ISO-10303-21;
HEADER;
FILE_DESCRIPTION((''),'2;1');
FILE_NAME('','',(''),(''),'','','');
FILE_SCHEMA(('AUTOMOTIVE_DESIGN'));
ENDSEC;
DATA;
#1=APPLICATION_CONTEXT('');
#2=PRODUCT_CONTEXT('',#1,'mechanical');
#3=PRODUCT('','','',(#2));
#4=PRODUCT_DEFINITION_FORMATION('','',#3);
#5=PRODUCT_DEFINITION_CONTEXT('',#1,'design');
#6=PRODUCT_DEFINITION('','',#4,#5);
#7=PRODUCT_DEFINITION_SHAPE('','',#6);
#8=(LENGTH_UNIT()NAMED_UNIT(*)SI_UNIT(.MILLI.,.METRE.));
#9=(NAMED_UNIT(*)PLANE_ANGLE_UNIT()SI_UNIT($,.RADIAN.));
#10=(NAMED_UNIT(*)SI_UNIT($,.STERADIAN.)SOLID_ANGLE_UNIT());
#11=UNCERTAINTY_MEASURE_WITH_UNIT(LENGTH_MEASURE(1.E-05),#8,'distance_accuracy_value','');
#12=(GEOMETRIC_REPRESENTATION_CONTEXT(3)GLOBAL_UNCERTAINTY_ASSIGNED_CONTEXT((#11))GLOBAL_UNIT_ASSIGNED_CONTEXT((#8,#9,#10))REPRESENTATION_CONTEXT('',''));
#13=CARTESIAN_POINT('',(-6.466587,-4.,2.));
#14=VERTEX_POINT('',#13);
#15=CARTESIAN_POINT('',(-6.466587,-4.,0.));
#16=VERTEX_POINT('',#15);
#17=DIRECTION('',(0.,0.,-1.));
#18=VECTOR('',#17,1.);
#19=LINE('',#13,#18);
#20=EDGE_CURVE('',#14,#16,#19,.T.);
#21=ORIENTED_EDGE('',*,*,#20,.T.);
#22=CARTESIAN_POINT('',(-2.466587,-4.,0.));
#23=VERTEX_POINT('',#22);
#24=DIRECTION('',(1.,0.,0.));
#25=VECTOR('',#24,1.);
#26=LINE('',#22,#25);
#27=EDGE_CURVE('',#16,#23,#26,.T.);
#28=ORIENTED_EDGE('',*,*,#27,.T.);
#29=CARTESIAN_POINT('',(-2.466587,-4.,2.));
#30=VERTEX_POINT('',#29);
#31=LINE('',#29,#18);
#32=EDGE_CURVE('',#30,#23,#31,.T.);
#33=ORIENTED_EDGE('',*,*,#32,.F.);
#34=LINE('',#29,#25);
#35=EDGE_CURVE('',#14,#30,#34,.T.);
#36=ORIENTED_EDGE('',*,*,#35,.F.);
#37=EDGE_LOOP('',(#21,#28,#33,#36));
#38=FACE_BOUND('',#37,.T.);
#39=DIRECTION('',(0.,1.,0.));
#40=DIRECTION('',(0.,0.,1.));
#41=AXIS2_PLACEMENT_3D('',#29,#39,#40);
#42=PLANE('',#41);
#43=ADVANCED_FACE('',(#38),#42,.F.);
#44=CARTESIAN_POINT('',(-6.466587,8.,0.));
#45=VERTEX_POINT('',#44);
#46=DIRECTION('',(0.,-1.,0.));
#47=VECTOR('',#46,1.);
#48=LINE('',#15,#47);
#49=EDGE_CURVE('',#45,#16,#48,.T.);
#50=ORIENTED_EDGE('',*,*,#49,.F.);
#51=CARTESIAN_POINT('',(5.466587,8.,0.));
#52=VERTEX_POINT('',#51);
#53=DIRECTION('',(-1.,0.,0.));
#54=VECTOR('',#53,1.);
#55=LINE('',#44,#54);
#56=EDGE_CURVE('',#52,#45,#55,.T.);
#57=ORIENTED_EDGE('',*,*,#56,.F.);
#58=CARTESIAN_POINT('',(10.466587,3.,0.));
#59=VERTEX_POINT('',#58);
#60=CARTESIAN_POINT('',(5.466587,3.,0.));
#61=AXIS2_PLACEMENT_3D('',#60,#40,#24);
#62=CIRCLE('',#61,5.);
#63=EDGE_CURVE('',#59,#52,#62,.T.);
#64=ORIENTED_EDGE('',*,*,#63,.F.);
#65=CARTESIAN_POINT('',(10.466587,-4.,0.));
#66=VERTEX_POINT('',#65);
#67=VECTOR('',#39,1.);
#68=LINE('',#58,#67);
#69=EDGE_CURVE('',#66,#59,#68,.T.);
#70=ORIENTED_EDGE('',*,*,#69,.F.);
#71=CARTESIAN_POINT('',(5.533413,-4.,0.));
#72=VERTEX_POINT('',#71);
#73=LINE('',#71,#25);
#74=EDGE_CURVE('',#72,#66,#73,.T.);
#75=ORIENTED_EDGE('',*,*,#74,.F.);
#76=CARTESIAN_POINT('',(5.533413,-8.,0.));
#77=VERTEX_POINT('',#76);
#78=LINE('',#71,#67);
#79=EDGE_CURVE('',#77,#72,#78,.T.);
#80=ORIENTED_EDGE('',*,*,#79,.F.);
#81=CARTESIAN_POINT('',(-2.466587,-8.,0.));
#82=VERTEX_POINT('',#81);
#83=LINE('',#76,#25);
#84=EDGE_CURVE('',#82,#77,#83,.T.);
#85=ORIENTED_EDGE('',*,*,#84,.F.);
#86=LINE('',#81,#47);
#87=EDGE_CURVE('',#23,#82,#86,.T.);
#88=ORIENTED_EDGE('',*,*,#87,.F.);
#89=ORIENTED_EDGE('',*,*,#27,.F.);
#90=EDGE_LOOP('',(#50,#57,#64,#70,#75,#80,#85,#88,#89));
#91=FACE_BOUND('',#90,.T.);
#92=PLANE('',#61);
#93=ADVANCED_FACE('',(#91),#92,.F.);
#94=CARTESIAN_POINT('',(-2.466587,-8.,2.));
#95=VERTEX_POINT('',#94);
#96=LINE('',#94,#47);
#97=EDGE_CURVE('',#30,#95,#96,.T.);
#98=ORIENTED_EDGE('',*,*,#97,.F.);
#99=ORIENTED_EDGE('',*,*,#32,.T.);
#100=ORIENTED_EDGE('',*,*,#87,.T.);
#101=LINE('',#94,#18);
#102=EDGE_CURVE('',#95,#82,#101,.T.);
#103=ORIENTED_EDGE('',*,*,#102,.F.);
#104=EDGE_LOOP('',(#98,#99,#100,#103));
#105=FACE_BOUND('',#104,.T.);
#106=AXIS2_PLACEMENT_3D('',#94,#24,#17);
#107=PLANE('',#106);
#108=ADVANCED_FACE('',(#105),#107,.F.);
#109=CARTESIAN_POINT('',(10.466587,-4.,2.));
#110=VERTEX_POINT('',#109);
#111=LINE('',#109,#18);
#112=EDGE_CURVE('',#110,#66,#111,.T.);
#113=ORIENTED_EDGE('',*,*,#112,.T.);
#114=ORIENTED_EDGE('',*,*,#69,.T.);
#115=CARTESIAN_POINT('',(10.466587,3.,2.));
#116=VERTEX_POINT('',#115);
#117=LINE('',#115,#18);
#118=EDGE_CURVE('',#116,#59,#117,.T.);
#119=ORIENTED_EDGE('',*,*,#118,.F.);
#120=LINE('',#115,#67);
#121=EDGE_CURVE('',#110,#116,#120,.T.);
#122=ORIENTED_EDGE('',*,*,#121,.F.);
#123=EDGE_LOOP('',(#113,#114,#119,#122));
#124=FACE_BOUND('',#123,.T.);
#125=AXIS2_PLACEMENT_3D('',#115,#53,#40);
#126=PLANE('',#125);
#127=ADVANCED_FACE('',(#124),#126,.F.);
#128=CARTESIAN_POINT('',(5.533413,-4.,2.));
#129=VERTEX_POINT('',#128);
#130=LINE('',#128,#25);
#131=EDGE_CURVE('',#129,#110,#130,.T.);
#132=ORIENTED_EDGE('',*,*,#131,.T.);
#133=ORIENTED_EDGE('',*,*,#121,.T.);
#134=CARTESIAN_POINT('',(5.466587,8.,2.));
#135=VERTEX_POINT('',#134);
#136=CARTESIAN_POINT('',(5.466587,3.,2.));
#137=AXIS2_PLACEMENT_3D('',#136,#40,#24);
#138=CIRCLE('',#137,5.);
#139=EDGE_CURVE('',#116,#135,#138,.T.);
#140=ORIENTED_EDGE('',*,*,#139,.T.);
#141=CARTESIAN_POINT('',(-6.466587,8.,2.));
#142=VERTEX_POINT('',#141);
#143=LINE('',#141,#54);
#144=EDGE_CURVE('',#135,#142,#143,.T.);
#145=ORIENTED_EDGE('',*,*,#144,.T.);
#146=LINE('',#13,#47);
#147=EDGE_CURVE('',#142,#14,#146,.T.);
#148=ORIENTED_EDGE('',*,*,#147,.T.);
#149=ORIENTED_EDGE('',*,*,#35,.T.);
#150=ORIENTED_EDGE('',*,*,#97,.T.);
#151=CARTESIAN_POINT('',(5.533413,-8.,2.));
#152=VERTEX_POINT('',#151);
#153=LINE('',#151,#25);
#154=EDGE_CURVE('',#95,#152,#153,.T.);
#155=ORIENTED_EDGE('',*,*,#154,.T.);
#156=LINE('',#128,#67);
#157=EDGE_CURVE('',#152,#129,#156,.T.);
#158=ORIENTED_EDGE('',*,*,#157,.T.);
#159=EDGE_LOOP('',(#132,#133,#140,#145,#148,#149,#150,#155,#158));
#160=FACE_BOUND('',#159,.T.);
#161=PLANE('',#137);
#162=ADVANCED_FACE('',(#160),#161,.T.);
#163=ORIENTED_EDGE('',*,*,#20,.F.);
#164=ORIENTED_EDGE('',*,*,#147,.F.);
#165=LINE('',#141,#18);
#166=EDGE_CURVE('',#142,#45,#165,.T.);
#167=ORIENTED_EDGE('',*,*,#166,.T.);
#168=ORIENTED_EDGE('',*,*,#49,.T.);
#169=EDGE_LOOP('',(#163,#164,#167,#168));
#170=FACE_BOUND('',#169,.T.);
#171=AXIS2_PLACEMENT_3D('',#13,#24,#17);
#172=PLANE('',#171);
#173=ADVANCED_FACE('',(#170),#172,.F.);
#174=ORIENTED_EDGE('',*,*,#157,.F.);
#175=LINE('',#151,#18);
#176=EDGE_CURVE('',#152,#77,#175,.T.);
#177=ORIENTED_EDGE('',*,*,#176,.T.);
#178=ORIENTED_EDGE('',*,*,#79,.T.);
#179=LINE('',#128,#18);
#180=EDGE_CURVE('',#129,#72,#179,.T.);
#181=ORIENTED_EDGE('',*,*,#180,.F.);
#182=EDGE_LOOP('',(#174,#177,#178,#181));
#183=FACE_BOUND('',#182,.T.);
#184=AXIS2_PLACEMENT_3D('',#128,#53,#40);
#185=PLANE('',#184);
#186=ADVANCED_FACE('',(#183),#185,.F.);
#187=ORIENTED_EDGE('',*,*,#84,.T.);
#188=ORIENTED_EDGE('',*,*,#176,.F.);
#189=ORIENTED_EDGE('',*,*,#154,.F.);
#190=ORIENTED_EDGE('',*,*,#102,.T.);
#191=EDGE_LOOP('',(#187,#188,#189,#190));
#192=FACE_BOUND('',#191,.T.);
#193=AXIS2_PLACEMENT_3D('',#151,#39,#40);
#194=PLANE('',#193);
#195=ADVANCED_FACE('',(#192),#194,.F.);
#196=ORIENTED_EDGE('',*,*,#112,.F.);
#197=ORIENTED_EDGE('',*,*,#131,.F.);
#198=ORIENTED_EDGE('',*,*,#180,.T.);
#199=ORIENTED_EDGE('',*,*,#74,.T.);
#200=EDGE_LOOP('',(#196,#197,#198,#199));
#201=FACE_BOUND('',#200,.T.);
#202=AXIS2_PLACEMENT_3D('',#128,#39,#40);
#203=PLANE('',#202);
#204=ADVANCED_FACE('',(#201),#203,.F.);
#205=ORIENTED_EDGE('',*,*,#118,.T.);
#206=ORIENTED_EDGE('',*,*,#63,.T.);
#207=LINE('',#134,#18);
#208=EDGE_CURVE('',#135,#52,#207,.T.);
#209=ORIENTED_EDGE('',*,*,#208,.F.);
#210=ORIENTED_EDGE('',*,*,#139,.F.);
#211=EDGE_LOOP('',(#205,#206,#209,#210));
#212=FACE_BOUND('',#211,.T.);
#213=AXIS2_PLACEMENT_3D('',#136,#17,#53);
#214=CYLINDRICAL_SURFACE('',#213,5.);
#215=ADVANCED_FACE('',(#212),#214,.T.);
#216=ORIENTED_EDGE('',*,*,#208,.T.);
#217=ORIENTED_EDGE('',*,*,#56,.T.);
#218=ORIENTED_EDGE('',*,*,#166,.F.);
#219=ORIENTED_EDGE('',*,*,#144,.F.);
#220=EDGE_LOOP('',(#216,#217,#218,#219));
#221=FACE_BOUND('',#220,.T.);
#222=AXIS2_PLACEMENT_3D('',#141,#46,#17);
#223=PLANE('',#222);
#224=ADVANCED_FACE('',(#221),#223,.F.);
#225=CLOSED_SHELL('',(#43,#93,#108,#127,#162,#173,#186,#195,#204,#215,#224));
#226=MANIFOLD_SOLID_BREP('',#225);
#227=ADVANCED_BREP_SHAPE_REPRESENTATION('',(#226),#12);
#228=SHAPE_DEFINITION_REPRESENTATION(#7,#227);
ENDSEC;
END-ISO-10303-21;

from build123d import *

# Parameters (mm, degrees)
BOSS_EXTRUDE1_DEPTH = 2


with BuildPart() as part:
    # Sketch1 → Boss-Extrude1 (new body)
    with BuildSketch(Plane.XY):
        with BuildLine():
            Line((5.533412898, -4), (10.466587102, -4))
            Line((10.466587102, -4), (10.466587102, 3))
            ThreePointArc((10.466587102, 3), (9.002121008, 6.535533906), (5.466587102, 8))
            Line((5.466587102, 8), (-6.466587102, 8))
            Line((-6.466587102, 8), (-6.466587102, -4))
            Line((-6.466587102, -4), (-2.466587102, -4))
            Line((-2.466587102, -4), (-2.466587102, -8))
            Line((-2.466587102, -8), (5.533412898, -8))
            Line((5.533412898, -8), (5.533412898, -4))
        make_face()
    extrude(amount=BOSS_EXTRUDE1_DEPTH)


solid = part.part
